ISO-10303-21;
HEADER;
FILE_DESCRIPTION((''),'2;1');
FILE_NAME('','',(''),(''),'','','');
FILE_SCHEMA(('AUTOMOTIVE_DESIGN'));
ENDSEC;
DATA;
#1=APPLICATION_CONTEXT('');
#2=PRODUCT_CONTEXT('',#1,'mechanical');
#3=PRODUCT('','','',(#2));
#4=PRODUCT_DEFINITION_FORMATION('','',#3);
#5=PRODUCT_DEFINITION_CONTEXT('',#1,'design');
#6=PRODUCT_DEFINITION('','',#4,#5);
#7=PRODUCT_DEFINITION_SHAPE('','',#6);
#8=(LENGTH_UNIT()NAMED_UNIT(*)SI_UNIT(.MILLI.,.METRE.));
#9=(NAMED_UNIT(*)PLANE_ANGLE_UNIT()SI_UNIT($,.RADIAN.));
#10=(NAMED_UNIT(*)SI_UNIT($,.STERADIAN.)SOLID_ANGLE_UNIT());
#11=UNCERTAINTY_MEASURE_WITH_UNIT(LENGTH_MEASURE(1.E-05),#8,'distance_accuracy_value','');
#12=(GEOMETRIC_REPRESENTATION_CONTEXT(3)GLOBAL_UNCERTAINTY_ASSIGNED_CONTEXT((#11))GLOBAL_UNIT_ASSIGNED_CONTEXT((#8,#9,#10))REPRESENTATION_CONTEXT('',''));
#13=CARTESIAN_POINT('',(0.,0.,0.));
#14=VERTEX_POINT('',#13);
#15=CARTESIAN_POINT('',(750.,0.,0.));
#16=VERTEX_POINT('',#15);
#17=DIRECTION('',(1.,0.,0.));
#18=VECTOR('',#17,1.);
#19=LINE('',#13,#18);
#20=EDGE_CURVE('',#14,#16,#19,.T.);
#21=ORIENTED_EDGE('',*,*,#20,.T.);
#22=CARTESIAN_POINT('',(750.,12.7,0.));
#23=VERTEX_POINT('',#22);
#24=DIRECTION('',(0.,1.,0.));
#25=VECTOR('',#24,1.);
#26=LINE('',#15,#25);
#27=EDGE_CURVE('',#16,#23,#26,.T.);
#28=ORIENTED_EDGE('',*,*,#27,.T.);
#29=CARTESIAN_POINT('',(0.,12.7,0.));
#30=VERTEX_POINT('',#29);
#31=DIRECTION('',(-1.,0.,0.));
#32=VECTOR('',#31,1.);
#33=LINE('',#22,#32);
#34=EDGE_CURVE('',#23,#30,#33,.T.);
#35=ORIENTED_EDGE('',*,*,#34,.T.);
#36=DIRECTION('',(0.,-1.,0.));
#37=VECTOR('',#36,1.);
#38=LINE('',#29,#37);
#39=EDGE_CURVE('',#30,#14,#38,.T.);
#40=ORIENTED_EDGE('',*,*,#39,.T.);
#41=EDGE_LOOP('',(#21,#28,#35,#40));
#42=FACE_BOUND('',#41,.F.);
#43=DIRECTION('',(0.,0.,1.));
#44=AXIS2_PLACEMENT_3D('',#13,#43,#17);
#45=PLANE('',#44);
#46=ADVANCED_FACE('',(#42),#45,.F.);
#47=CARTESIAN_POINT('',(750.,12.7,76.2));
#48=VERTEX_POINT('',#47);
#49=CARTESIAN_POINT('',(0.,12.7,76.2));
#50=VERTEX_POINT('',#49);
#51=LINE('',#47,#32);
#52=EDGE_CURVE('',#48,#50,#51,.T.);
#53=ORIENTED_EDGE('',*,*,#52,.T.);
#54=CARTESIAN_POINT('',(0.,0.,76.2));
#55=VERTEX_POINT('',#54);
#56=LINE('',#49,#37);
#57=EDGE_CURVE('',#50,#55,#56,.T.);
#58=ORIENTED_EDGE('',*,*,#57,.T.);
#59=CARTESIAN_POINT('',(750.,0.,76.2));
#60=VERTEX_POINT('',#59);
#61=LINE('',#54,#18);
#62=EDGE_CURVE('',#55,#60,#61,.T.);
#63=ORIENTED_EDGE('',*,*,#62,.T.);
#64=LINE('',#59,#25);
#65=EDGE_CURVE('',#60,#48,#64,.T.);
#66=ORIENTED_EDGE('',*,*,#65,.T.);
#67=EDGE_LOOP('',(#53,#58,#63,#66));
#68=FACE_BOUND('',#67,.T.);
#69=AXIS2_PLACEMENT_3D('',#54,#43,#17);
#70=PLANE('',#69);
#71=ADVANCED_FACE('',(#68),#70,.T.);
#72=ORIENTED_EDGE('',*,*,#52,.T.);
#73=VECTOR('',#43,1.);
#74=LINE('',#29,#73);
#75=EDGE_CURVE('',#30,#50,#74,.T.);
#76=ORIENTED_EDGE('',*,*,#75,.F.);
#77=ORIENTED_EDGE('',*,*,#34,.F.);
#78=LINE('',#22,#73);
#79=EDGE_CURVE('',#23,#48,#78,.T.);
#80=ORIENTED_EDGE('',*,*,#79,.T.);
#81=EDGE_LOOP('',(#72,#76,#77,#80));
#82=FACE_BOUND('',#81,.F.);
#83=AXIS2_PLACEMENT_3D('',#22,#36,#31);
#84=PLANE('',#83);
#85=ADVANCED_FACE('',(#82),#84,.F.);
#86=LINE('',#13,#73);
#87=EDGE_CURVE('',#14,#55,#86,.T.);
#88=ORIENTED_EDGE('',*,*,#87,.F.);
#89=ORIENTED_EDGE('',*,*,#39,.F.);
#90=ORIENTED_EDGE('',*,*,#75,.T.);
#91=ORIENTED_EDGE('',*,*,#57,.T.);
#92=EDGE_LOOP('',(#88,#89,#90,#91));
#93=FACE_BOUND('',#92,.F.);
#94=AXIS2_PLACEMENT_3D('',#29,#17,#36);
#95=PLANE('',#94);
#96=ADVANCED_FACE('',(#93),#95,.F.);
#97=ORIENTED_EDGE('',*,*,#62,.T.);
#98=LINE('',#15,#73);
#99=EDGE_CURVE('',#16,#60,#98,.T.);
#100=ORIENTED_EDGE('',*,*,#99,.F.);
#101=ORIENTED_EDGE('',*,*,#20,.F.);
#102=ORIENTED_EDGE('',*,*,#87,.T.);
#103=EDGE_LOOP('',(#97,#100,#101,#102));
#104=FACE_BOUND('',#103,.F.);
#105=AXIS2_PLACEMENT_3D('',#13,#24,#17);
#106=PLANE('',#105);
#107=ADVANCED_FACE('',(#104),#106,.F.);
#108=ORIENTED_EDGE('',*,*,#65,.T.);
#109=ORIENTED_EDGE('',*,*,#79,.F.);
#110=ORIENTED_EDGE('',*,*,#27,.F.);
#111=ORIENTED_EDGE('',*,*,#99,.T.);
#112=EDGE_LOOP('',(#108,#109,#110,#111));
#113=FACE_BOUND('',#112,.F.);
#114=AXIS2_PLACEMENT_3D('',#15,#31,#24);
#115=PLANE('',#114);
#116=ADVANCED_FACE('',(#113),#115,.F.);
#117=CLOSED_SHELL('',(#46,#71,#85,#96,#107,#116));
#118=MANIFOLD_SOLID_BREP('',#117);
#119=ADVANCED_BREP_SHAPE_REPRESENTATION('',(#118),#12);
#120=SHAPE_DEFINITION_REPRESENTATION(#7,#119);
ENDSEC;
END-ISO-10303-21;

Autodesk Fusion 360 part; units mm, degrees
sketch "Sketch1" plane through (0, 0, 0) normal (0, 0, 1) x (1, 0, 0)
  line L0 (0, 0) -> (750, 0)
  line L1 (750, 0) -> (750, 12.7)
  line L2 (750, 12.7) -> (0, 12.7)
  line L3 (0, 12.7) -> (0, 0)
  dimension "d1" = 750
  dimension "d2" = 12.7
extrude "Extrude1" add sketch "Sketch1" along normal blind 76.2
